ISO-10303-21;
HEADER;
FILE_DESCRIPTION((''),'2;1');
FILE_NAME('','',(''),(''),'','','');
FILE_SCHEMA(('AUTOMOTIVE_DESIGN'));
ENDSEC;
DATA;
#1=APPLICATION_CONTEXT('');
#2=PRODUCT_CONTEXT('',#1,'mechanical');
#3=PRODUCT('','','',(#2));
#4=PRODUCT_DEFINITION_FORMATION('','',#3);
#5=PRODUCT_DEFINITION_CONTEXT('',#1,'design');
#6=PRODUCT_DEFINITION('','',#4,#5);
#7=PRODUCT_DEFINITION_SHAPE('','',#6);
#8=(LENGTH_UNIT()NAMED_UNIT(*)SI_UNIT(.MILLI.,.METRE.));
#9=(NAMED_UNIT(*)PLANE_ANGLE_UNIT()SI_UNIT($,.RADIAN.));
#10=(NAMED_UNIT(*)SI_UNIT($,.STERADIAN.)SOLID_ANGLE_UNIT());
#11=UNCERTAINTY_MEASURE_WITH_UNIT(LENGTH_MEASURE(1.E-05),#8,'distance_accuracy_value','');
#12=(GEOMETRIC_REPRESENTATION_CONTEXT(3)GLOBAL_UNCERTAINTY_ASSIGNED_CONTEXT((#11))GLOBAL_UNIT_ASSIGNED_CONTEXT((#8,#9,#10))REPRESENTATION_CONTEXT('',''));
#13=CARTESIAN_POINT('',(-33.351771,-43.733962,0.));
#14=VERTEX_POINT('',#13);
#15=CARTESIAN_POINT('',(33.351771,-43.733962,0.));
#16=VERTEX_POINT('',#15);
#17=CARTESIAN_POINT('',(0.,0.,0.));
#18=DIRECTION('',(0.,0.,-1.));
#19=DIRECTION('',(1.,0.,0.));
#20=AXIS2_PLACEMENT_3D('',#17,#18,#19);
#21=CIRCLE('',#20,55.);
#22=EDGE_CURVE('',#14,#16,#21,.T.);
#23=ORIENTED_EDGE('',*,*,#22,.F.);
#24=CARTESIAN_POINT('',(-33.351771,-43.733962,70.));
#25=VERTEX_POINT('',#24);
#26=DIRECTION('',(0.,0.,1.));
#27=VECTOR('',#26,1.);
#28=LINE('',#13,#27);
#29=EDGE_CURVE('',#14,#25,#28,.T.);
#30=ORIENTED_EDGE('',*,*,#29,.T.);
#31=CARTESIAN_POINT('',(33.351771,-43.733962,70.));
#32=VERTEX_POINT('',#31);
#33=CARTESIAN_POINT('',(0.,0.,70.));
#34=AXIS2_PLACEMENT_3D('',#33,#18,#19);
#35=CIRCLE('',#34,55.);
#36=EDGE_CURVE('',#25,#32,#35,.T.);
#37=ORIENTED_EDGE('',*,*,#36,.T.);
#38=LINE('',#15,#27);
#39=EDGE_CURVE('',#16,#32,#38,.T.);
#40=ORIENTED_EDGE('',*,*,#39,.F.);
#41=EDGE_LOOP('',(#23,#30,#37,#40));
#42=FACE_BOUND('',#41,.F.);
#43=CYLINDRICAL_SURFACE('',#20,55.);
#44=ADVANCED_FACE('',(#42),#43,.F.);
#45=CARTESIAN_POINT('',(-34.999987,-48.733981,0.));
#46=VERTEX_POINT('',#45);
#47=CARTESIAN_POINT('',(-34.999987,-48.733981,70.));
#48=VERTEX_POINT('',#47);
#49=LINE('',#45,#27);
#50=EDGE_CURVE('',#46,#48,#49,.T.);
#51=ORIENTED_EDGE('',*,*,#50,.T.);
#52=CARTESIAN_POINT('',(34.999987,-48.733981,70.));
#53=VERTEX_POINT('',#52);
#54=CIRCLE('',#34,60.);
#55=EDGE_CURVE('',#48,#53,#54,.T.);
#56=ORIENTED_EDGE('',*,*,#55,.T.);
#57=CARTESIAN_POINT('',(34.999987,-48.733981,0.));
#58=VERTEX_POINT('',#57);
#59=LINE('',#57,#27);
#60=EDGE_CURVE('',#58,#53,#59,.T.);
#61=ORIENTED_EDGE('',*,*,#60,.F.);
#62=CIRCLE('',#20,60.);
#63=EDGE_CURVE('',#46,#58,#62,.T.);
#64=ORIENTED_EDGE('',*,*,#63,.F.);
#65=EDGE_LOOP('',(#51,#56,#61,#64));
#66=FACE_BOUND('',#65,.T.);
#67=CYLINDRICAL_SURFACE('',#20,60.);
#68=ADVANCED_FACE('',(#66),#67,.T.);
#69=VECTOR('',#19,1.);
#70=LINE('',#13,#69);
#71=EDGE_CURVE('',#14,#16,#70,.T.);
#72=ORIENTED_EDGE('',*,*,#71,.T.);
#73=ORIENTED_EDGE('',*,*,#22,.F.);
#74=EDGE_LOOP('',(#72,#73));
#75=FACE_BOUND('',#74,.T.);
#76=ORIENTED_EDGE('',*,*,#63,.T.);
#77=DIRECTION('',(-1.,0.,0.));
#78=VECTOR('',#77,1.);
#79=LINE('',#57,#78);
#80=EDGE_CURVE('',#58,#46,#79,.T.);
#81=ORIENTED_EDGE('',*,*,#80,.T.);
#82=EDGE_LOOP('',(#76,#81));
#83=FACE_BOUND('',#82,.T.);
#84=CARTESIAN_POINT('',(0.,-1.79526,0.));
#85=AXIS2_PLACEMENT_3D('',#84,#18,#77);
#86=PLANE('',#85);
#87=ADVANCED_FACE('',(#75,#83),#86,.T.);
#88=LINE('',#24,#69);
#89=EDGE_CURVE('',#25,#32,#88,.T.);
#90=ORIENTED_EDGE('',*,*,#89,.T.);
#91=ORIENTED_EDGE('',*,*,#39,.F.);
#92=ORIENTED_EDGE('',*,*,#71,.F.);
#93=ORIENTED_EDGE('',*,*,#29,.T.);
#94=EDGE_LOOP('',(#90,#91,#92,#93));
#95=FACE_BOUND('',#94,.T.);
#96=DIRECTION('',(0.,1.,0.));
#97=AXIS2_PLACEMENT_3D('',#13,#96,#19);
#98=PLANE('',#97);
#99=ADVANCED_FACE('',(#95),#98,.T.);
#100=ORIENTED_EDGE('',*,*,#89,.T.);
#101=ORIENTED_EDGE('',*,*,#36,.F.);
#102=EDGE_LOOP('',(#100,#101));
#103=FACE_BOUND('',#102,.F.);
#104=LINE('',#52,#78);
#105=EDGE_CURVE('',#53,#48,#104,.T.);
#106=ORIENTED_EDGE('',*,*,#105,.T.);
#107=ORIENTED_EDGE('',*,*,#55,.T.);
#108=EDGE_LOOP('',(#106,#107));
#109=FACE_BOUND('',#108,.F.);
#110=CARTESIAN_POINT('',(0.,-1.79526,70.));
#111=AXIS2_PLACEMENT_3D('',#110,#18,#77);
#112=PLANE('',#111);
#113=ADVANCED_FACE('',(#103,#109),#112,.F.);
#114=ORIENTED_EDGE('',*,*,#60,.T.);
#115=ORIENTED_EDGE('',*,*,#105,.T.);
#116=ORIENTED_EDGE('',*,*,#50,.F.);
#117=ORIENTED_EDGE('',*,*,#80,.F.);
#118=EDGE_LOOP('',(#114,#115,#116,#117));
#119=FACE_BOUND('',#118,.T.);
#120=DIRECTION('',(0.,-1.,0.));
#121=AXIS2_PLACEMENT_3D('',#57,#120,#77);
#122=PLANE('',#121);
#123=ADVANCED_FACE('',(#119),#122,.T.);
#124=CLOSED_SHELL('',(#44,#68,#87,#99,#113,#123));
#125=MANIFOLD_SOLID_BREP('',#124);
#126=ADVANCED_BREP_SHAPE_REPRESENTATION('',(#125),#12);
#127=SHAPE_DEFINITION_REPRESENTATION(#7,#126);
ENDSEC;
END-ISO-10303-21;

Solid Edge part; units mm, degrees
sketch "Sketch1" plane through (0, 0, 0) normal (0, 0, 1) x (1, 0, 0)
  line L0 (-33.3518, -43.734) -> (33.3518, -43.734)
  arc A0 (-33.3518, -43.734) -> (33.3518, -43.734) centre (0, 0) cw
  line L1 (35, -48.734) -> (-35, -48.734)
  arc A1 (-35, -48.734) -> (35, -48.734) centre (0, 0) cw
extrude "Protrusion1" add sketch "Sketch1" along normal blind 70
